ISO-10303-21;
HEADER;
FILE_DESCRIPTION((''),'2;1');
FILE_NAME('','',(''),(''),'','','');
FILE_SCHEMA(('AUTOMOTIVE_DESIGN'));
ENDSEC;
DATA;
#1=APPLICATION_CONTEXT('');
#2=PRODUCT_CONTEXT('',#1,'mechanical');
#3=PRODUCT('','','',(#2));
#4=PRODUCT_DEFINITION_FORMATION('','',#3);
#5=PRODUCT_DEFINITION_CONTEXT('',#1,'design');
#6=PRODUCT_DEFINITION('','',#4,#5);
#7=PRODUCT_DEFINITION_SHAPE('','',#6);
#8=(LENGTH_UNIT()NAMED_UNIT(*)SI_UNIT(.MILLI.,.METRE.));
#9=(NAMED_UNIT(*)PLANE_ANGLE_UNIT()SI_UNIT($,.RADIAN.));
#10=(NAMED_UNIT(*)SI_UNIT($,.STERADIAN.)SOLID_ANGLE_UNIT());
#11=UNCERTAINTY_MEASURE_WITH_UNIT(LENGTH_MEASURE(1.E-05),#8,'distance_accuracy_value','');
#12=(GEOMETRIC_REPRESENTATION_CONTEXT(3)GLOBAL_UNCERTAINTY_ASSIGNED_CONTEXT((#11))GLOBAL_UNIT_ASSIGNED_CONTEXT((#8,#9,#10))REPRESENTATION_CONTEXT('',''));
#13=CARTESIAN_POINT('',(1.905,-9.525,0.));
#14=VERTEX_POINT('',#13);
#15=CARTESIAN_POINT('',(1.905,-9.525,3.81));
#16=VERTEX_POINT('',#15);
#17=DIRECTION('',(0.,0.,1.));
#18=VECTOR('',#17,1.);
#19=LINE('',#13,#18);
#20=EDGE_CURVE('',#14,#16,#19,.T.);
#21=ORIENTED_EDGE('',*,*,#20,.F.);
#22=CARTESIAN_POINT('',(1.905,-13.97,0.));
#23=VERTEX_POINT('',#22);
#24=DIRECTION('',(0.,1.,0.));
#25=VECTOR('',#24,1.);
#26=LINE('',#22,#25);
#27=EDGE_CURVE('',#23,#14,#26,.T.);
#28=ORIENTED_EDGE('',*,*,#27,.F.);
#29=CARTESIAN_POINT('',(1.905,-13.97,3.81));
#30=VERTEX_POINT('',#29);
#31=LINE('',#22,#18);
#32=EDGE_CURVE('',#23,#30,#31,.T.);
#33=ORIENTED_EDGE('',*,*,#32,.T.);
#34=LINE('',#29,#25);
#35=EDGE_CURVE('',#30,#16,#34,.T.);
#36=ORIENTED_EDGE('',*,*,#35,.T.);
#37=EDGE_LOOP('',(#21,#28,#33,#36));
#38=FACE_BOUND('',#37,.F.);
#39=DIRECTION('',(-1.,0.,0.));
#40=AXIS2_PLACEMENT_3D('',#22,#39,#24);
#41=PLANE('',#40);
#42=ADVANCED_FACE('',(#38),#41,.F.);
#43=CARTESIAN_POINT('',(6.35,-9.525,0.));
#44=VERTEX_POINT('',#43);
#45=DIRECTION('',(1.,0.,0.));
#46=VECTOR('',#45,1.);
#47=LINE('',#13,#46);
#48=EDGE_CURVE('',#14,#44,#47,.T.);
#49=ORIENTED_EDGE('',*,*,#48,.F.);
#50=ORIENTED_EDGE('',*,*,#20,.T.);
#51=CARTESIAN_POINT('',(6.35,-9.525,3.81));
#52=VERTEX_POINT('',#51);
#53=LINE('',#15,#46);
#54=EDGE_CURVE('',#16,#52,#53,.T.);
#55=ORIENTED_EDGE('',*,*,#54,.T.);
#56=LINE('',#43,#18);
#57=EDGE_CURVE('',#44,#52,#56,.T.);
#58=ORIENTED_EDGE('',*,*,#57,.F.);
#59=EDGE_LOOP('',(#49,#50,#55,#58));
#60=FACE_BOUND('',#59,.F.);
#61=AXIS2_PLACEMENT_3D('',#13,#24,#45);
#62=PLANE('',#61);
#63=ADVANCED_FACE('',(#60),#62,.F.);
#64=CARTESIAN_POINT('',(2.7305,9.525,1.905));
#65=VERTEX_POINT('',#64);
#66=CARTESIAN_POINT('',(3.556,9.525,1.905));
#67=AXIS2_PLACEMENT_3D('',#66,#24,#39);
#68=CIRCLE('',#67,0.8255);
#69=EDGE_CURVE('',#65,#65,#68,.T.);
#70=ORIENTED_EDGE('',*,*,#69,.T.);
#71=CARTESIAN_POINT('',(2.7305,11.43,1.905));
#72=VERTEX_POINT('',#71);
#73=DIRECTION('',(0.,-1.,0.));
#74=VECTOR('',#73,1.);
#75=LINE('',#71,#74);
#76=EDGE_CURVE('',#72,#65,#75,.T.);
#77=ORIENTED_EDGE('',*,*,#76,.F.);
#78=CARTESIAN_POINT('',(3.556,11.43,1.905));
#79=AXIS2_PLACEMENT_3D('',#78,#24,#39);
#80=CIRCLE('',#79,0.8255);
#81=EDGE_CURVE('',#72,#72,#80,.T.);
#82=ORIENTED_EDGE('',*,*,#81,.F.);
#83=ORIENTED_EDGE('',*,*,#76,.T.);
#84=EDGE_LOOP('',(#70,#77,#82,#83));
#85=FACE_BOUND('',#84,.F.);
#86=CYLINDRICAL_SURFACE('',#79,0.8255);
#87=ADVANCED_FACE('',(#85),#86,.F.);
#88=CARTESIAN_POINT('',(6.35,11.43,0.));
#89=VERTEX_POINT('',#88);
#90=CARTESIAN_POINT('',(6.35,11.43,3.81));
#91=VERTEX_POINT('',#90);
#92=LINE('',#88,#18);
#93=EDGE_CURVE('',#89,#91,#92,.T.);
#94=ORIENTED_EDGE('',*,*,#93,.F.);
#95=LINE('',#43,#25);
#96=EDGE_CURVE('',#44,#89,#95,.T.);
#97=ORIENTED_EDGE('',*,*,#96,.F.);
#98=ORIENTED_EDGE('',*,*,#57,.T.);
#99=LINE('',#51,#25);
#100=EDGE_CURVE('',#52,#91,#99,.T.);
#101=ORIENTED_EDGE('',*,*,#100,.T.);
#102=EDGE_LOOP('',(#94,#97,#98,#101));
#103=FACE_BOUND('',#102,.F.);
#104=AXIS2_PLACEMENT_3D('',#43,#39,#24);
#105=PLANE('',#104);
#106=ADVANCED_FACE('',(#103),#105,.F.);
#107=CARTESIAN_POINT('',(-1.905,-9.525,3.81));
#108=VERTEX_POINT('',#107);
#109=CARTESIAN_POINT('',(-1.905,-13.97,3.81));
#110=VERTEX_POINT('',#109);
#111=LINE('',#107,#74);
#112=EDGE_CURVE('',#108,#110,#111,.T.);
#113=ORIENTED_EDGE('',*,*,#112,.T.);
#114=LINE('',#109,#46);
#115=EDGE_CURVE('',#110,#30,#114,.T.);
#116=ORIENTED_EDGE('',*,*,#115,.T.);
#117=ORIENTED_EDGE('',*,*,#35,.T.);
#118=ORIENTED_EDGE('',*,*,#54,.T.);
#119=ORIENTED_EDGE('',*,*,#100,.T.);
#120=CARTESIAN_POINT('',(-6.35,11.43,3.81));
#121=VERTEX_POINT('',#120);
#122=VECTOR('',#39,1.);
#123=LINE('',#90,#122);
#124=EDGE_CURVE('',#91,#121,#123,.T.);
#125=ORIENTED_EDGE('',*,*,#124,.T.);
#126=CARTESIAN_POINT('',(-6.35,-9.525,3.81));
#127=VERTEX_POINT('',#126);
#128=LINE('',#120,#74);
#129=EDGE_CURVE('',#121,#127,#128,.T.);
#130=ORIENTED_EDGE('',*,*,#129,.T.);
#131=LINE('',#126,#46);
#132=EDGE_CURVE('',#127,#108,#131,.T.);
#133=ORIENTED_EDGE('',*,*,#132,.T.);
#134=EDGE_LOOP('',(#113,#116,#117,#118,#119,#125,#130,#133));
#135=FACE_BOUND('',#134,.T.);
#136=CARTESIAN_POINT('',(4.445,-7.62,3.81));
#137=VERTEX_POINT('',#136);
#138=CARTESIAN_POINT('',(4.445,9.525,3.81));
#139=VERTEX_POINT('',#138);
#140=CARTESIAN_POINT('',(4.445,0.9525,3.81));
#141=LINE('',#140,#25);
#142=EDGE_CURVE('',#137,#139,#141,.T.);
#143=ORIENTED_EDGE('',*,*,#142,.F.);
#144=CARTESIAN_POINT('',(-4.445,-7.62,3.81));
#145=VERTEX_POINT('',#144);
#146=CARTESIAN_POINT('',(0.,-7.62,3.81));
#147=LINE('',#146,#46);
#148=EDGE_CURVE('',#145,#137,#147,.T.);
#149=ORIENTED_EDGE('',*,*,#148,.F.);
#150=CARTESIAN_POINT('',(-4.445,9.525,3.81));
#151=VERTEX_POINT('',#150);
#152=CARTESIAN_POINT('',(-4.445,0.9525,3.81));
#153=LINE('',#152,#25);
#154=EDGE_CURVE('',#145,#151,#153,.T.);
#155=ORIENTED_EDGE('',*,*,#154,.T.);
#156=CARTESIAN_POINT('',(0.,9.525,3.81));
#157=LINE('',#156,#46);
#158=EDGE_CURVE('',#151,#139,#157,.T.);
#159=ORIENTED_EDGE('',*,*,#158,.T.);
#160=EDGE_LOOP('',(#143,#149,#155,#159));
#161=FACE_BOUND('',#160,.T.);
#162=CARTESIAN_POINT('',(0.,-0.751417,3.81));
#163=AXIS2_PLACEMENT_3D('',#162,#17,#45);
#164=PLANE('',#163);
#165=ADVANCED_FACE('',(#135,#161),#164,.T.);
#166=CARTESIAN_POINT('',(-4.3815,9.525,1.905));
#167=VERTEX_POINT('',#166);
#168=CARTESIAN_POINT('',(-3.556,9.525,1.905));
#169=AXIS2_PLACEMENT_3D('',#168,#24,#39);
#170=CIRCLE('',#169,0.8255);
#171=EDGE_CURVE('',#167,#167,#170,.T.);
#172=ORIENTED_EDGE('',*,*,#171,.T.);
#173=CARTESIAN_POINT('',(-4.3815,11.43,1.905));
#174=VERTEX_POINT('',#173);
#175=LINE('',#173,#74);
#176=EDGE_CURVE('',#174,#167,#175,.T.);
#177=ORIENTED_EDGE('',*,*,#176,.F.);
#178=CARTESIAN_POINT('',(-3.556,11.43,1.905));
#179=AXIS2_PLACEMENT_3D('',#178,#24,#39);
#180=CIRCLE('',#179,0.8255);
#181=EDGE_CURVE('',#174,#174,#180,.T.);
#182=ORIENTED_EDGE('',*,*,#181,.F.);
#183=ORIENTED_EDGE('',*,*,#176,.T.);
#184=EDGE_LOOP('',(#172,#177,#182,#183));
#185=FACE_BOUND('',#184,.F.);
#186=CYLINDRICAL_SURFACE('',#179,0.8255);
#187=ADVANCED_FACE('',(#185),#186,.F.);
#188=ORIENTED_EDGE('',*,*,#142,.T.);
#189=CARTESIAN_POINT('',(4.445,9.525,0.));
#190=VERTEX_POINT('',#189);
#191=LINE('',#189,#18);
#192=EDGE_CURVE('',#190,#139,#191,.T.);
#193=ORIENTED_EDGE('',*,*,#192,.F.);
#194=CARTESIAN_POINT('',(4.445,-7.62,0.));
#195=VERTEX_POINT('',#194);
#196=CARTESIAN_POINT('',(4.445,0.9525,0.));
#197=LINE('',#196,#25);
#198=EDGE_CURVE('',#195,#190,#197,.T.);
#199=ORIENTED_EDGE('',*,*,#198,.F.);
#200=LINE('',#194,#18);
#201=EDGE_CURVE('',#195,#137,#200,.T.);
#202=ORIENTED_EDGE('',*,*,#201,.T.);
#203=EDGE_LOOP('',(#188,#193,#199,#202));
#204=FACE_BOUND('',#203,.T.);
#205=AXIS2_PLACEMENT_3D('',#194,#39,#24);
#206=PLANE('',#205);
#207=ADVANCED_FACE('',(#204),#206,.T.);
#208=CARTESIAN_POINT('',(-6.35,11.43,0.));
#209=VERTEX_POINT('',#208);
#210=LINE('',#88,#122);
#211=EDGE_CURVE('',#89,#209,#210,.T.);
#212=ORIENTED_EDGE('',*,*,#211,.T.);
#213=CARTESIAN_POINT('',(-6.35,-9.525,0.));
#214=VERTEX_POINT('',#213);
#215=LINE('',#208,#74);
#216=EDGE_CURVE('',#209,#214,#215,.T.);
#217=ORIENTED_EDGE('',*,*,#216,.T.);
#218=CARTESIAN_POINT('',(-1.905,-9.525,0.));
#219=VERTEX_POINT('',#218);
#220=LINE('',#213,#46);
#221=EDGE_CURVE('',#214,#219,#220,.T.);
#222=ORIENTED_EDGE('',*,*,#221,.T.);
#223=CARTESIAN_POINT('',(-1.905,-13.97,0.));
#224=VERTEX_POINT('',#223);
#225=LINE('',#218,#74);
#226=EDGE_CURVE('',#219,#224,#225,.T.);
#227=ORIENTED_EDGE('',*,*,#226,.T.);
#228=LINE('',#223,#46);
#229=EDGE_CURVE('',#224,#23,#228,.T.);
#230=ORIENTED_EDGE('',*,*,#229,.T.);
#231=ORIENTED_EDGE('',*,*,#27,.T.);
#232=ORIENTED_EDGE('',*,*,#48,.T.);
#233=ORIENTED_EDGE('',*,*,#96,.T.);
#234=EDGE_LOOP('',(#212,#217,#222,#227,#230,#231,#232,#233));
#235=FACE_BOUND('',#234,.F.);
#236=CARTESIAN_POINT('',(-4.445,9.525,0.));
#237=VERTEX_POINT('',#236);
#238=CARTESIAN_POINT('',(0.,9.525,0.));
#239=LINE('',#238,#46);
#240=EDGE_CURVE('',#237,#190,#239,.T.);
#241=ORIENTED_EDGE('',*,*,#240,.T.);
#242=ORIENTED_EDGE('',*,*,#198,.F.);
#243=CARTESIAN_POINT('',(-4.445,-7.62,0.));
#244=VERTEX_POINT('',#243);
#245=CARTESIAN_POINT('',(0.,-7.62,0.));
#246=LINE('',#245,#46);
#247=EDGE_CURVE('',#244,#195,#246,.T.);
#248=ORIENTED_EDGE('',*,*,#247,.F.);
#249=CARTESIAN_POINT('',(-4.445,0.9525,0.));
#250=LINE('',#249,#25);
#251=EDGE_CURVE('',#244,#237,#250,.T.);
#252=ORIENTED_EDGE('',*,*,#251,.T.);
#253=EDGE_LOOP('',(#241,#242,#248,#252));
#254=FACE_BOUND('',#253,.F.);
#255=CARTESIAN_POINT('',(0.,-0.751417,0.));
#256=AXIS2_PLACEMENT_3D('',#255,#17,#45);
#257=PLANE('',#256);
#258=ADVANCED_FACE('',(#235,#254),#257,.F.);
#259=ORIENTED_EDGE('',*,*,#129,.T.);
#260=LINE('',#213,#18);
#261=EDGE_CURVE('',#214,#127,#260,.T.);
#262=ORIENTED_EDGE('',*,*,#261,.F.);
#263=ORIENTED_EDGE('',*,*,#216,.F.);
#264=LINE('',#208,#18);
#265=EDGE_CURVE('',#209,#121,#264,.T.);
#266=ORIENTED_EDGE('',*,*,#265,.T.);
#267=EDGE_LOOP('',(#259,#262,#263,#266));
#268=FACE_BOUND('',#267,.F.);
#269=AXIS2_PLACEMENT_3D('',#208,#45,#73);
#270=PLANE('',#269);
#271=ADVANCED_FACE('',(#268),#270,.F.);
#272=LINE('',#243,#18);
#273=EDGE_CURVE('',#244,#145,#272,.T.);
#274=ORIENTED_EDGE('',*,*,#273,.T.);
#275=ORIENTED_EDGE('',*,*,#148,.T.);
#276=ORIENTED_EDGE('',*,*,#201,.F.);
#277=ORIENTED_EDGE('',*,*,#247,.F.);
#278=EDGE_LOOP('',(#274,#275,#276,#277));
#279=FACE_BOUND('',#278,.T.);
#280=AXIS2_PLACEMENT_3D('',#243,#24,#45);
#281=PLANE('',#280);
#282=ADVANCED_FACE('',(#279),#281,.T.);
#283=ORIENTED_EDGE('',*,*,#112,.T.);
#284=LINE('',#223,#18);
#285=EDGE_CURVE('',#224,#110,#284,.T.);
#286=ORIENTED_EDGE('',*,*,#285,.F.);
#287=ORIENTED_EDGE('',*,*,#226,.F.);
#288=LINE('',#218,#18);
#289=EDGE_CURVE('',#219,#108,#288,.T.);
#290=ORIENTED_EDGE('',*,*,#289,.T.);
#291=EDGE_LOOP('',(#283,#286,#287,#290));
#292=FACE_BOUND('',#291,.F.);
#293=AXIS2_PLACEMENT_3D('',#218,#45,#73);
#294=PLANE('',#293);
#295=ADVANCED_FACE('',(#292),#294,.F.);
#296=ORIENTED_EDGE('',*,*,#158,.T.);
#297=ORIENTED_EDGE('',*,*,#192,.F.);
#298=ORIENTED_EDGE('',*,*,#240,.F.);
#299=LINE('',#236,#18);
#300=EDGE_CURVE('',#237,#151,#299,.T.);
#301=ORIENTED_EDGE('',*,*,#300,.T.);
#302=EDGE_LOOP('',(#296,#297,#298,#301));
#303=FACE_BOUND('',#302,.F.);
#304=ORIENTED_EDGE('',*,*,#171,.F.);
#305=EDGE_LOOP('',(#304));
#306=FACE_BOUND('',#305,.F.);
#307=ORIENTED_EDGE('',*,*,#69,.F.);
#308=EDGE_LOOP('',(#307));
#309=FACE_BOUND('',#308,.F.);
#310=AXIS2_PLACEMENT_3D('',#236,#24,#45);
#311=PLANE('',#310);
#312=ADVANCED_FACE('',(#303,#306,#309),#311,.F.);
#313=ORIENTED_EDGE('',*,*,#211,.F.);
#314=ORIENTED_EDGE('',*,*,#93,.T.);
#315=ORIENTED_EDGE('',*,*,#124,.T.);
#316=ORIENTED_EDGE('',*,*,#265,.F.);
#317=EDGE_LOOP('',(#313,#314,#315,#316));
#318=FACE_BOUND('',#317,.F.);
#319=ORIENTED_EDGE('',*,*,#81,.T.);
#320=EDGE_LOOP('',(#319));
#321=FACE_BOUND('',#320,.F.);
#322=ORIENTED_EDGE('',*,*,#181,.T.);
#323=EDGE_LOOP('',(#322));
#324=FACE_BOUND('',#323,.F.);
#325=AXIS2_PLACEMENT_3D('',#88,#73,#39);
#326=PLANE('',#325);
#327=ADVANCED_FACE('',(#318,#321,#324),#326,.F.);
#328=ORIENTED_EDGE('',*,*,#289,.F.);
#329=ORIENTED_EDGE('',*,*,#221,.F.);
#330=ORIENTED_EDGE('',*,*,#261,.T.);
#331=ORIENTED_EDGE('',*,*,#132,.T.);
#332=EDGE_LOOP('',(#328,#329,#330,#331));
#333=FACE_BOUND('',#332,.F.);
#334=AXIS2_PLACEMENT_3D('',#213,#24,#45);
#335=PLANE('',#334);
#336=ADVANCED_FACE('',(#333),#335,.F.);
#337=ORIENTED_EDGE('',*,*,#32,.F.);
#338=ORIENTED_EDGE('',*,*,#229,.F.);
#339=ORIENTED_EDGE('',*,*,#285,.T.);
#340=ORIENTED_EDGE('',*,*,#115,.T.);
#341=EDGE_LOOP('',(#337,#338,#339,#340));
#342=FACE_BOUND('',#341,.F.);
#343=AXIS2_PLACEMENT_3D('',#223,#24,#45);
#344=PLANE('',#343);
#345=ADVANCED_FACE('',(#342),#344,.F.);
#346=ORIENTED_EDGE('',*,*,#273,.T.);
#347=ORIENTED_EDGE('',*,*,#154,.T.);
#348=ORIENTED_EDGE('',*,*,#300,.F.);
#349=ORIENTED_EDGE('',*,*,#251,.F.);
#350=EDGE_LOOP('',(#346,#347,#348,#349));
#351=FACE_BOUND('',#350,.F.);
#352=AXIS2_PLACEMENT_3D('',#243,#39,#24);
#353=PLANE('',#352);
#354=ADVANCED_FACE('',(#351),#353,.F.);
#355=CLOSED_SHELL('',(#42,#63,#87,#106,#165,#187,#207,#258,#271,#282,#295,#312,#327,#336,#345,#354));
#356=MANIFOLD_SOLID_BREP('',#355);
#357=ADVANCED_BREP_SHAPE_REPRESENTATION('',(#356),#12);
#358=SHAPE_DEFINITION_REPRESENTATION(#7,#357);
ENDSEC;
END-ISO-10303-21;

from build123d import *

# Parameters (mm, degrees)
F0_W     = 8.89
F0_H     = 17.145
F1_DEPTH = 3.81
F2_R     = 0.8255
F3_DEPTH = 2.032


with BuildPart() as f1:
    # F0 (on Top) → F1 (new body)
    with BuildSketch(Plane.XY):
        Polygon((-1.905, -13.97), (1.905, -13.97), (1.905, -9.525), (6.35, -9.525), (6.35, 11.43), (-6.35, 11.43), (-6.35, -9.525), (-1.905, -9.525), align=None)
        with Locations((0, 0.9525)):
            Rectangle(F0_W, F0_H, mode=Mode.SUBTRACT)
    extrude(amount=F1_DEPTH)

    # F2 (on face) → F3 (cut)
    with BuildSketch(Plane(origin=(0, 11.43, 0), x_dir=(-1, 0, 0), z_dir=(0, 1, 0))):
        with Locations((-3.556, 1.905)):
            Circle(F2_R)
        with Locations((3.556, 1.905)):
            Circle(F2_R)
    extrude(amount=-F3_DEPTH, mode=Mode.SUBTRACT)


solid = f1.part
